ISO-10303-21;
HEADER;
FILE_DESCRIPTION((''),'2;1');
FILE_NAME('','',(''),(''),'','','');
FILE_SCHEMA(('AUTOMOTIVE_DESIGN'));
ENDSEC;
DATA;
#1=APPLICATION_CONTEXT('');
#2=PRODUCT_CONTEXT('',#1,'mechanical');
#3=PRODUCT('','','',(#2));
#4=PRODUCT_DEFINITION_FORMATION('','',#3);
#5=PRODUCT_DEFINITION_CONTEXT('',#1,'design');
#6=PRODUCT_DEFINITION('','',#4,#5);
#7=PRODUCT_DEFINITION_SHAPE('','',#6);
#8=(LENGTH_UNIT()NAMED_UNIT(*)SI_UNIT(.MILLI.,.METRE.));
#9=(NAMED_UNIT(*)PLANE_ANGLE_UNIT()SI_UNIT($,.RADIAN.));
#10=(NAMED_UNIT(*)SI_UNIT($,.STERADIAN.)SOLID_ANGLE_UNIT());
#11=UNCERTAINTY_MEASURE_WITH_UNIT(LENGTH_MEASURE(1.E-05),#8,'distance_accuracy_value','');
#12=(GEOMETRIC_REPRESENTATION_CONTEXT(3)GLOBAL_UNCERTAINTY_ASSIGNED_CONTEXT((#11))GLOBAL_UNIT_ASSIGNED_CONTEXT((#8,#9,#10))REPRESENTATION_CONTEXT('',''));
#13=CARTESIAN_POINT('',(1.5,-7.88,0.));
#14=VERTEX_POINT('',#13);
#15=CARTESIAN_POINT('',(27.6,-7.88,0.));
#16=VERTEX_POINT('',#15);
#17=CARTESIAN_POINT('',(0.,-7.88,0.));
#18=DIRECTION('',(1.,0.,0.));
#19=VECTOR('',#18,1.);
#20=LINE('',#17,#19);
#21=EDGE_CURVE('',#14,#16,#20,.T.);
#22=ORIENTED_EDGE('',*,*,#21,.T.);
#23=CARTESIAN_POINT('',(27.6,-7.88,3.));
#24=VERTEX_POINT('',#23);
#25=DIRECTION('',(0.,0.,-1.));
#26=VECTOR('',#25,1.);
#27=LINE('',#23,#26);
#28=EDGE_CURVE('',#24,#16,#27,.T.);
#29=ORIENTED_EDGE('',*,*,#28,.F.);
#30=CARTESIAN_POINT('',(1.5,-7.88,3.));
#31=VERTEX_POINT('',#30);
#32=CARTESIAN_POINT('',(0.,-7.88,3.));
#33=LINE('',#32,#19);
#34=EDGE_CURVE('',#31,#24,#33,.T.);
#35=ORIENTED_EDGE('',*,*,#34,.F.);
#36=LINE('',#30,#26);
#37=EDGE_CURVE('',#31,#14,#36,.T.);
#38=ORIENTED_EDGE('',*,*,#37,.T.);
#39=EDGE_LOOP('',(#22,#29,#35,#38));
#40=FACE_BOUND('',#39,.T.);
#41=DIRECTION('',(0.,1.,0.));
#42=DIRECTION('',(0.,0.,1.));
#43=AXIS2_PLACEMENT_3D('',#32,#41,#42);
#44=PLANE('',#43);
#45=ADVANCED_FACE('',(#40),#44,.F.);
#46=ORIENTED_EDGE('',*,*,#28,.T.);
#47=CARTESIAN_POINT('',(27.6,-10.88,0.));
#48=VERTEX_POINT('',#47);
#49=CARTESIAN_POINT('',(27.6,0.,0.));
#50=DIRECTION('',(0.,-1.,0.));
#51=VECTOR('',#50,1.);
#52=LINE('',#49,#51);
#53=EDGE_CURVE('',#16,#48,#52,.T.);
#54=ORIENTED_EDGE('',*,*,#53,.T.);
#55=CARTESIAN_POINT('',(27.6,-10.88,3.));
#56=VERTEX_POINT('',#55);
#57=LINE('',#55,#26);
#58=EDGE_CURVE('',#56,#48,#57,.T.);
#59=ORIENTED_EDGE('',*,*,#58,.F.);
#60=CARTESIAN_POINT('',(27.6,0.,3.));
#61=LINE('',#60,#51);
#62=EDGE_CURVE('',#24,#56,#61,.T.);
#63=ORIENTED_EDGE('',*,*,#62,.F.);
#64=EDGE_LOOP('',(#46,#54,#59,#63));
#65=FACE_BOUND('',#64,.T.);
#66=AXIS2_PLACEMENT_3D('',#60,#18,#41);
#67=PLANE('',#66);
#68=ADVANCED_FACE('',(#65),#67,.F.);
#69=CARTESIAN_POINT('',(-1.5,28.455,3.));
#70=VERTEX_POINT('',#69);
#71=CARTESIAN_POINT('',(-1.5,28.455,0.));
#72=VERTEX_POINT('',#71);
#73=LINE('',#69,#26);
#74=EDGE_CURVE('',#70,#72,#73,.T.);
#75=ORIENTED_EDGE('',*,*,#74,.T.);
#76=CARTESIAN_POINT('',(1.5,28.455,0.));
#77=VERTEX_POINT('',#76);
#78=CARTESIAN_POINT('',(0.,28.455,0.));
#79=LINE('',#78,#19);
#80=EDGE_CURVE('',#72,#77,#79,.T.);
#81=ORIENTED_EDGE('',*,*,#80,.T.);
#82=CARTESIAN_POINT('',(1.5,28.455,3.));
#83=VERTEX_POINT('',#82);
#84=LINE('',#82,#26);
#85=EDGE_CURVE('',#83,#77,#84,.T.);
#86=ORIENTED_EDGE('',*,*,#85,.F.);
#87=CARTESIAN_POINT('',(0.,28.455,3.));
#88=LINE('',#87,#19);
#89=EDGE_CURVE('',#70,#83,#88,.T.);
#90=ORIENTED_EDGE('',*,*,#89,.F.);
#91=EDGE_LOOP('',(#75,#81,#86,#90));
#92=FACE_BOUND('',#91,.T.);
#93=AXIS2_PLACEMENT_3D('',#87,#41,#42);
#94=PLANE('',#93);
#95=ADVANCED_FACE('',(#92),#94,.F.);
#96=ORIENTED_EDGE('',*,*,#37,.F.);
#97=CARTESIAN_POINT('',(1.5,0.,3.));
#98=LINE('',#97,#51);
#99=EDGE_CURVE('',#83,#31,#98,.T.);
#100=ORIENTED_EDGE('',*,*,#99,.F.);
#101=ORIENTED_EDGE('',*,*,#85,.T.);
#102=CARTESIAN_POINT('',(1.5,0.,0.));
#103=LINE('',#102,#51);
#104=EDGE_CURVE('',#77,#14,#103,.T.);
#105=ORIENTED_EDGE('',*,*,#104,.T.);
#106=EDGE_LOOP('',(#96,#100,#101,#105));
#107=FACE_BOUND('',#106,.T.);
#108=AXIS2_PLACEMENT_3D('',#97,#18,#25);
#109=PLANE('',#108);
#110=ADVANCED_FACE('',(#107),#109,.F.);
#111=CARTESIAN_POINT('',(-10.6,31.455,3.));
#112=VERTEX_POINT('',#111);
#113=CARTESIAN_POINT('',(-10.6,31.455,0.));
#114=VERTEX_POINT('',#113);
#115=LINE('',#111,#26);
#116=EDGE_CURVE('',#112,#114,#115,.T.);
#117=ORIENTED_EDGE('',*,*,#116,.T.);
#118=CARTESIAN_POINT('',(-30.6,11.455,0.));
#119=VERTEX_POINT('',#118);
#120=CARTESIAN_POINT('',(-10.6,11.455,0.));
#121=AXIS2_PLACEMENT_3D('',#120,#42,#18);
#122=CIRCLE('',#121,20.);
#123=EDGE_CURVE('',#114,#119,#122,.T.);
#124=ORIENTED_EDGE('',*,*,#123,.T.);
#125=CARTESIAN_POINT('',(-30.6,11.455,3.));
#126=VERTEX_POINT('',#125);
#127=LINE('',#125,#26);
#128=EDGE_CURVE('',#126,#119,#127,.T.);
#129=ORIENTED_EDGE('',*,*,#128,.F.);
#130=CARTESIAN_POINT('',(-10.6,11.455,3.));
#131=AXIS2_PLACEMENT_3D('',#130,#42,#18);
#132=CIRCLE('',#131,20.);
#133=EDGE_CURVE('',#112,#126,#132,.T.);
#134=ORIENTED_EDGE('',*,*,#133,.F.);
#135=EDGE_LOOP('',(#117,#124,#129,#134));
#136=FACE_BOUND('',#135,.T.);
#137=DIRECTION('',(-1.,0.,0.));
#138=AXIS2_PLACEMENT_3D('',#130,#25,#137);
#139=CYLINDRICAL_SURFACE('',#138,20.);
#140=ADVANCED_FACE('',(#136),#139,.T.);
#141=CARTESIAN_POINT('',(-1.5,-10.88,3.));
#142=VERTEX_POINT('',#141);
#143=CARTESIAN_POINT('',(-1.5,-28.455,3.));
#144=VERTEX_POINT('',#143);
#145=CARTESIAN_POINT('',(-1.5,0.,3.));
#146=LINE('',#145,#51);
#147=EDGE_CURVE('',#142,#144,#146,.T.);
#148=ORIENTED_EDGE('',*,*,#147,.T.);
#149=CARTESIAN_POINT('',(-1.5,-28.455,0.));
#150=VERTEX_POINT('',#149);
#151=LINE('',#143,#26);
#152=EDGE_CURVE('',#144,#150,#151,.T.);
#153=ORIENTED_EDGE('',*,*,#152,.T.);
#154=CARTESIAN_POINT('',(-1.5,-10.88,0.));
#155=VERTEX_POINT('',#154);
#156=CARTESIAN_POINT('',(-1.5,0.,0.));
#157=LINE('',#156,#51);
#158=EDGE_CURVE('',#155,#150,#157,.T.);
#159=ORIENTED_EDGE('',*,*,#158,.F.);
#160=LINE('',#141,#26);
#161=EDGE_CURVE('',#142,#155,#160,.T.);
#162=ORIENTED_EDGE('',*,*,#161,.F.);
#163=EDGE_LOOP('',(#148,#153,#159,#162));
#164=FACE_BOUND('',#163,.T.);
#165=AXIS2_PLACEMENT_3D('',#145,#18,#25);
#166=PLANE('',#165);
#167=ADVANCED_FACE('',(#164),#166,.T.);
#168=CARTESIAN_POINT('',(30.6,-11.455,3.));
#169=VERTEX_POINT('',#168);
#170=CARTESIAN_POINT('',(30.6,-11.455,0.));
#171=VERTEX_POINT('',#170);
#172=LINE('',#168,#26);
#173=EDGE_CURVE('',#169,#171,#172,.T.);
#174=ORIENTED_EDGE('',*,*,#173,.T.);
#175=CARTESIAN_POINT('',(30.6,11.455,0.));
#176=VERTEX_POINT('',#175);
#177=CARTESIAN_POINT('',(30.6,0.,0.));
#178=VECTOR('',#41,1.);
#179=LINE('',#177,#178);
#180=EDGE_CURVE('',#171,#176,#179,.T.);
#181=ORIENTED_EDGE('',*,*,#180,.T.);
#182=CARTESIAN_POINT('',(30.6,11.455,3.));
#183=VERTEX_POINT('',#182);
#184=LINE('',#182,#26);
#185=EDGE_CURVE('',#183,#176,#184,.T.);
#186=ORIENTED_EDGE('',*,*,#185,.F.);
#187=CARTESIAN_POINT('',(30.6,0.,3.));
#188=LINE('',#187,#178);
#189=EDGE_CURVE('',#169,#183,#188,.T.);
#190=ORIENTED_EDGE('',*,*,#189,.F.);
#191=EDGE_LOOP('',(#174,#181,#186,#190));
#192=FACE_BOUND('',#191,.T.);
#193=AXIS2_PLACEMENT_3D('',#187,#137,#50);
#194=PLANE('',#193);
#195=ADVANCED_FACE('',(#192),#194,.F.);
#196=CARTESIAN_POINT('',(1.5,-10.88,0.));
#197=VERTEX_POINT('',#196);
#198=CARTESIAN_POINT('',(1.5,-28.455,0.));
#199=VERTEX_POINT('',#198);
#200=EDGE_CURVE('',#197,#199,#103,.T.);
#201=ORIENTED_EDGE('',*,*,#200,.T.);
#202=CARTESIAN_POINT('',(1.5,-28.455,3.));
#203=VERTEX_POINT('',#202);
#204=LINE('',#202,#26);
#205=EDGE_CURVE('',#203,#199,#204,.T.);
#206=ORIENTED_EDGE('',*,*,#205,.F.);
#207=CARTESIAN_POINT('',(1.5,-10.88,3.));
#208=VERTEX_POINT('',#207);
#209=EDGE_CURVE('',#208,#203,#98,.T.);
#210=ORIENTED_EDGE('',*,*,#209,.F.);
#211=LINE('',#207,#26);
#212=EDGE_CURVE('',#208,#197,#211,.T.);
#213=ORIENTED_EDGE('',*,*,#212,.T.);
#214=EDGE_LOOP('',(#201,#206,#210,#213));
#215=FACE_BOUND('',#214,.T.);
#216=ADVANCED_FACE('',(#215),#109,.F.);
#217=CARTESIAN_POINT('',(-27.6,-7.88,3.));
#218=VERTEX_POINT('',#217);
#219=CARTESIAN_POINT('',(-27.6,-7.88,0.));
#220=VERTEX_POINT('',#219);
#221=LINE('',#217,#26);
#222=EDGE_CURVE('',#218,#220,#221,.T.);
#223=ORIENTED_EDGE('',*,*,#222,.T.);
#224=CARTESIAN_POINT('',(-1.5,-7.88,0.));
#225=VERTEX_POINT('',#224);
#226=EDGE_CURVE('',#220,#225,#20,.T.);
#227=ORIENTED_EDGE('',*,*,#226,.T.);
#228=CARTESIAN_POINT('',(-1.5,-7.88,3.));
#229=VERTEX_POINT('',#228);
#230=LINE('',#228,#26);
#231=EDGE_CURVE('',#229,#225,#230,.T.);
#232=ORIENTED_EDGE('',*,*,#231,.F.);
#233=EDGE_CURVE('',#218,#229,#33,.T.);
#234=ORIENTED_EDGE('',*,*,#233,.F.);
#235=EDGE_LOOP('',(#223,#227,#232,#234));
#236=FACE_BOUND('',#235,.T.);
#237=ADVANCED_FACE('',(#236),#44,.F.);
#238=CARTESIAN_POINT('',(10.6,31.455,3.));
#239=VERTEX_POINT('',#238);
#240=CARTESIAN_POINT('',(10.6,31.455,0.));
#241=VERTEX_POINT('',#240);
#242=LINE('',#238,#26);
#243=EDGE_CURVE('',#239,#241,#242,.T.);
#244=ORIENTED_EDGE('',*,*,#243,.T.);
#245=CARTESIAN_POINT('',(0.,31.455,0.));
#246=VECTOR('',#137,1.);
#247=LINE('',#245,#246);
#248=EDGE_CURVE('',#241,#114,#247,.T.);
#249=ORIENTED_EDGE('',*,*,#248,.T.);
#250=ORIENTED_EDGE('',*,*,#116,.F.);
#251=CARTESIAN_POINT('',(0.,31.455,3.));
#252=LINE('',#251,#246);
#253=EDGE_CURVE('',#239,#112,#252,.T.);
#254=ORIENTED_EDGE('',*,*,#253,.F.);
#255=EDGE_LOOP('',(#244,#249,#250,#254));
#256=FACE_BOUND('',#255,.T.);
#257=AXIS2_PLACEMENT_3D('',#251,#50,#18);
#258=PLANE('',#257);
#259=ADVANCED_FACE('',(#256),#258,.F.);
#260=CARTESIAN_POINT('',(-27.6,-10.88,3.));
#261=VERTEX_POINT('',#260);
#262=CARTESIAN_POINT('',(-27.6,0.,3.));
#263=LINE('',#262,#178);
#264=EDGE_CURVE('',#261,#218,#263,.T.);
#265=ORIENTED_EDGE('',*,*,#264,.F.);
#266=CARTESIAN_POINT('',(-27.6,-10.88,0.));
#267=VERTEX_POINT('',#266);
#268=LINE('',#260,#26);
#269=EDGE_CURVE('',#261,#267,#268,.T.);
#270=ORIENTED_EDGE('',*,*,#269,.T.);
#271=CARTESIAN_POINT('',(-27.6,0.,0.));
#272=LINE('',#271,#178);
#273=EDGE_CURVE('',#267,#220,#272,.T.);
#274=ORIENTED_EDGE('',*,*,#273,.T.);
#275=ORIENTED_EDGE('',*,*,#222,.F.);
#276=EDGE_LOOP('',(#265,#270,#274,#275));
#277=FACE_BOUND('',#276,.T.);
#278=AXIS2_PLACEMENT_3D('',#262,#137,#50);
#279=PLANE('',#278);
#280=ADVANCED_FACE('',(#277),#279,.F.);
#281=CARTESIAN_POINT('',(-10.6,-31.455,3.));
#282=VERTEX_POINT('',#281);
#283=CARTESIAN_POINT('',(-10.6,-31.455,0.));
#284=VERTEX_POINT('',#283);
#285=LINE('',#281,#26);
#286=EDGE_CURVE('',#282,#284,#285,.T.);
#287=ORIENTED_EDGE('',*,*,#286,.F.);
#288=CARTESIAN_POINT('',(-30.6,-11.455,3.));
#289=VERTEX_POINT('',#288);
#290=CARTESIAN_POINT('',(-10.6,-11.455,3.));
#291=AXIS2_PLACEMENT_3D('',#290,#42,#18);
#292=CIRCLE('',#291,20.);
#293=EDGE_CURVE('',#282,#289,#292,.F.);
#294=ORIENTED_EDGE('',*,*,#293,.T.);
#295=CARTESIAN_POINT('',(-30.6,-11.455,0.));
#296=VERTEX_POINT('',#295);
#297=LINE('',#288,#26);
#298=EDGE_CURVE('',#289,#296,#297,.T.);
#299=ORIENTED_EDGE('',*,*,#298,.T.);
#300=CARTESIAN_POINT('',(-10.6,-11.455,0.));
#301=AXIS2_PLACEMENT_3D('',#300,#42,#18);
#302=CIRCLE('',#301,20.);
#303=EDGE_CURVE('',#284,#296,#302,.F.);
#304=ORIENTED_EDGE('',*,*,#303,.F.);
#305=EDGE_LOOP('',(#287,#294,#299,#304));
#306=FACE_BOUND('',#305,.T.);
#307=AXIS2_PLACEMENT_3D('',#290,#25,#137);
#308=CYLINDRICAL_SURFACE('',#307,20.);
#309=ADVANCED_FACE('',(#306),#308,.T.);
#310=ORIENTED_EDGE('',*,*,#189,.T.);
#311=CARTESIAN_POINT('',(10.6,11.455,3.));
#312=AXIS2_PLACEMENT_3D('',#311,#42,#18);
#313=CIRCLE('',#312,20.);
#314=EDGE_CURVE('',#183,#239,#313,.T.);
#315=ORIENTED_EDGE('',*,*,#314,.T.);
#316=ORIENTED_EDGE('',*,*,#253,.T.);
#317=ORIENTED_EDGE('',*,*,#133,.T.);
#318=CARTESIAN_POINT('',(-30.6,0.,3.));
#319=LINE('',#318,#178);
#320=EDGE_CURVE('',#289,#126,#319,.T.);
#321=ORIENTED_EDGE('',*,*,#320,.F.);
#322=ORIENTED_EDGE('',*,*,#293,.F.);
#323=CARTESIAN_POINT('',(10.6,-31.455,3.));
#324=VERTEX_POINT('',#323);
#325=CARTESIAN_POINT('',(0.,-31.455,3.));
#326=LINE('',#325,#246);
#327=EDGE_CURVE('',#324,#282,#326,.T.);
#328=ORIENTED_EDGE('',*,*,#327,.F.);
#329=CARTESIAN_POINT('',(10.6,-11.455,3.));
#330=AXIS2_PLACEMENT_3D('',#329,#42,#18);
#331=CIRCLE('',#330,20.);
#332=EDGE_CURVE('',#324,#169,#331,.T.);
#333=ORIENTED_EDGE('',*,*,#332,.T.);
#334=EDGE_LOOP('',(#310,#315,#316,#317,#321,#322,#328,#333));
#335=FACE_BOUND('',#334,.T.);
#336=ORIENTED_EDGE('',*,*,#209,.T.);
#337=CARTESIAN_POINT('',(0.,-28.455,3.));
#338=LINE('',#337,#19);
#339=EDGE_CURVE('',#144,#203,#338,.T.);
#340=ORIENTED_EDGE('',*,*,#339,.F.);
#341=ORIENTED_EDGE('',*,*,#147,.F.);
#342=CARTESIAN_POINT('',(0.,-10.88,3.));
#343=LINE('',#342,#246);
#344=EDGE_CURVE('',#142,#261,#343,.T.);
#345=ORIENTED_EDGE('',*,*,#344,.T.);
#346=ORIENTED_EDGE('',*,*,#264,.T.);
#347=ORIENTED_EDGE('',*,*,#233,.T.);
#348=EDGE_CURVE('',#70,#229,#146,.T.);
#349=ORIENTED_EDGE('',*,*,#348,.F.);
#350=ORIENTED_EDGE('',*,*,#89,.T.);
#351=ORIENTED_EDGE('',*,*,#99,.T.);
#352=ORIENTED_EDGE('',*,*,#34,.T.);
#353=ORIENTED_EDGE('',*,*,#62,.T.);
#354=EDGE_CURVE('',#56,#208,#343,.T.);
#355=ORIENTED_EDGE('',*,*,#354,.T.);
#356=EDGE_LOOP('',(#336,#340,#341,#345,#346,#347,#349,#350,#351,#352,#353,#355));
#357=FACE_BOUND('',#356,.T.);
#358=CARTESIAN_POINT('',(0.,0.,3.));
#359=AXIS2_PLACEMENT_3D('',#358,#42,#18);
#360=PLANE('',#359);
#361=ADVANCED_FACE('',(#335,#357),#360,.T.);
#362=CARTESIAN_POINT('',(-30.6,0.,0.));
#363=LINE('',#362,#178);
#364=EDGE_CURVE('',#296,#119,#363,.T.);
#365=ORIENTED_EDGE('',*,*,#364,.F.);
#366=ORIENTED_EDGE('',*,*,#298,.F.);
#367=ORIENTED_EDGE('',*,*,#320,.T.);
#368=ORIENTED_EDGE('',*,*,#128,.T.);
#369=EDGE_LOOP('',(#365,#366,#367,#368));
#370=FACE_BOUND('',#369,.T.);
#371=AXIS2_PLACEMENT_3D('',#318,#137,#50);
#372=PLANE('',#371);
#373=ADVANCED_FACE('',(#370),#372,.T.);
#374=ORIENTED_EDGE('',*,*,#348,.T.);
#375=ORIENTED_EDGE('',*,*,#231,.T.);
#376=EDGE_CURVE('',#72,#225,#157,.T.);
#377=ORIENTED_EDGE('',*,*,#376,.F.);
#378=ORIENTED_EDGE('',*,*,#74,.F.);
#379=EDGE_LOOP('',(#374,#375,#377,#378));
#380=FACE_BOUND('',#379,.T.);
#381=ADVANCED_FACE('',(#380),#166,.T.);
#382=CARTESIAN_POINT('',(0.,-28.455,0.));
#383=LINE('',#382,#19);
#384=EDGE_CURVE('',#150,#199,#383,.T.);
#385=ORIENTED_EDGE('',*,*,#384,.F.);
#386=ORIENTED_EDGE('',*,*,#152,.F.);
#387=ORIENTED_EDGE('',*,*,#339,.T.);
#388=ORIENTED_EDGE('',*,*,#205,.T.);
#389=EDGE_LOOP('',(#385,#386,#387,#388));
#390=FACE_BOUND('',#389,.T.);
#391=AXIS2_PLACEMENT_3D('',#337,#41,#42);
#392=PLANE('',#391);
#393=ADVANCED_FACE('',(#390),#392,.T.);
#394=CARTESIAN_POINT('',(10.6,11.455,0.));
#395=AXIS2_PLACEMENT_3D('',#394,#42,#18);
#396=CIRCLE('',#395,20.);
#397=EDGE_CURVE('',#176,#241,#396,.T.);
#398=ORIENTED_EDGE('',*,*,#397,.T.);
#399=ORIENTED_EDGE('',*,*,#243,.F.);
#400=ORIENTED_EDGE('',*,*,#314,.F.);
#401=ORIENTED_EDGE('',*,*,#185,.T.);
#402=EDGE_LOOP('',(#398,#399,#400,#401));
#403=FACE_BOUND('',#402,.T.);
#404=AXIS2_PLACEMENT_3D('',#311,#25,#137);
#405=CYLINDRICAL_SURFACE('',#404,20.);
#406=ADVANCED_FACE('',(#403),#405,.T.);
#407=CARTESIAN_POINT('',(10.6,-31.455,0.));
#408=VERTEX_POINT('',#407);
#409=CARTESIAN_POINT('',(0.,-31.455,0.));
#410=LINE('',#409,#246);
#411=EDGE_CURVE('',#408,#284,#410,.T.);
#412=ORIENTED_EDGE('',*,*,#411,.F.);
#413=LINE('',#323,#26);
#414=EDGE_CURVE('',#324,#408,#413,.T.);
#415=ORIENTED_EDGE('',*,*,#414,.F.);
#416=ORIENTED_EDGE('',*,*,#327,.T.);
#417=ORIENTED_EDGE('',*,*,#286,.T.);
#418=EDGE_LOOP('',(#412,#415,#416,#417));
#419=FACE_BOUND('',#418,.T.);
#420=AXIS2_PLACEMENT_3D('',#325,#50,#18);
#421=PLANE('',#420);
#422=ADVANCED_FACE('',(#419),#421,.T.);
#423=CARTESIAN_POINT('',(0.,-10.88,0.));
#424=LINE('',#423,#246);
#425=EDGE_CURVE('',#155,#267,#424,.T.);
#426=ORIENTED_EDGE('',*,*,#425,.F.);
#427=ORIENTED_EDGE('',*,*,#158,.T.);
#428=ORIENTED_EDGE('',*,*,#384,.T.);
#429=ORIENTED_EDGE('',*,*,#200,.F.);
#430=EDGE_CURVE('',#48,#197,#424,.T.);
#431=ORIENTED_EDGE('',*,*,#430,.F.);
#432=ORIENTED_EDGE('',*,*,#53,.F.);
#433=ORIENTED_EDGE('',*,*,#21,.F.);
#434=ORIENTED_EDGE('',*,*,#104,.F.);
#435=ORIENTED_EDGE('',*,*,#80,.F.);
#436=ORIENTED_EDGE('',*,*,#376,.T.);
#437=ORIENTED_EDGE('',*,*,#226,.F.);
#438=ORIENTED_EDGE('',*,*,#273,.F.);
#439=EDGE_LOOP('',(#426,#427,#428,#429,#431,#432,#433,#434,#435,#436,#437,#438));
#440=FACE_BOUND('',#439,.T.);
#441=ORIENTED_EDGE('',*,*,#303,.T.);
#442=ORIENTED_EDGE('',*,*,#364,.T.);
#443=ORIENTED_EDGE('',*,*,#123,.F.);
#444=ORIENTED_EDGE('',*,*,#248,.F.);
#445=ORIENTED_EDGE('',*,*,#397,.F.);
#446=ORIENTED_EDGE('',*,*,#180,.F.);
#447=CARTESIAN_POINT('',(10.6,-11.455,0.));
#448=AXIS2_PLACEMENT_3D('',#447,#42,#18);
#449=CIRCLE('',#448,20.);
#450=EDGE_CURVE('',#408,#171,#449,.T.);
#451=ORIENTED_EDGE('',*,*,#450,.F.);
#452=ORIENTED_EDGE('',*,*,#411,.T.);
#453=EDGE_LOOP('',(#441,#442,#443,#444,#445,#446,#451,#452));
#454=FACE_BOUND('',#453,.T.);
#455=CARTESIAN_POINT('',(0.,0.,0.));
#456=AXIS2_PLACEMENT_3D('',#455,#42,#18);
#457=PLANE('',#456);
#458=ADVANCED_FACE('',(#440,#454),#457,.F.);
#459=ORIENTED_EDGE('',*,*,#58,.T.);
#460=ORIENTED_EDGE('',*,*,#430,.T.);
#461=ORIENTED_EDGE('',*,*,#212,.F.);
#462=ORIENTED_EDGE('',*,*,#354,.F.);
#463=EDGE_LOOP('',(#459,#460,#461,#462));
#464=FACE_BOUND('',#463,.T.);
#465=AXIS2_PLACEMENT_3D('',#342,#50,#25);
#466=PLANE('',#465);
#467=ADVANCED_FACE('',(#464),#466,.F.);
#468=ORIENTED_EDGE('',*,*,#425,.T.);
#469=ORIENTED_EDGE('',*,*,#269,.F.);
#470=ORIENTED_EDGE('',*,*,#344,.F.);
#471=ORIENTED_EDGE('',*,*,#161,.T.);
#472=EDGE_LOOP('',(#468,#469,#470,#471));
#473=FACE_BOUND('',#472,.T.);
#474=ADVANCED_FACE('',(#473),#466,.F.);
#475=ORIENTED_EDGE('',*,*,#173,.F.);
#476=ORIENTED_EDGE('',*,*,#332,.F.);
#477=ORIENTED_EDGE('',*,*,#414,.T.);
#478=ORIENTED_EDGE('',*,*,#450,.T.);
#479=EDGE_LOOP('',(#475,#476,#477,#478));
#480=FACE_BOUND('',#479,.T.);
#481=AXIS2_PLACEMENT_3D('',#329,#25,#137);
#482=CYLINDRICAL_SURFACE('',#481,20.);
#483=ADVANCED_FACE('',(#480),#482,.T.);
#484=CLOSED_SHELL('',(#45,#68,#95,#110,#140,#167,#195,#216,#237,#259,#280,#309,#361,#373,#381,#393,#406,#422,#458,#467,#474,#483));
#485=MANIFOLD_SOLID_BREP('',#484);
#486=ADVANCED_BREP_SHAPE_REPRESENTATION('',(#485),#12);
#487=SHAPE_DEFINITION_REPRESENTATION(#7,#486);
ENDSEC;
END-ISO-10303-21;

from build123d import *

# Parameters (mm, degrees)
SALIENTE_EXTRUIR1_DEPTH = 3


with BuildPart() as part:
    # Croquis1 → Saliente-Extruir1 (new body)
    with BuildSketch(Plane.XY):
        with BuildLine():
            Line((-10.6, -31.455), (10.6, -31.455))
            ThreePointArc((10.6, -31.455), (24.742135624, -25.597135624), (30.6, -11.455))
            Line((30.6, -11.455), (30.6, 11.455))
            ThreePointArc((30.6, 11.455), (24.742135624, 25.597135624), (10.6, 31.455))
            Line((10.6, 31.455), (-10.6, 31.455))
            ThreePointArc((-10.6, 31.455), (-24.742135624, 25.597135624), (-30.6, 11.455))
            Line((-30.6, 11.455), (-30.6, -11.455))
            ThreePointArc((-30.6, -11.455), (-24.742135624, -25.597135624), (-10.6, -31.455))
        make_face()
        Polygon((-27.6, -10.88), (-27.6, -7.88), (-1.5, -7.88), (-1.5, 28.455), (1.5, 28.455), (1.5, -7.88), (27.6, -7.88), (27.6, -10.88), (1.5, -10.88), (1.5, -28.455), (-1.5, -28.455), (-1.5, -10.88), align=None, mode=Mode.SUBTRACT)
    extrude(amount=SALIENTE_EXTRUIR1_DEPTH)


solid = part.part
